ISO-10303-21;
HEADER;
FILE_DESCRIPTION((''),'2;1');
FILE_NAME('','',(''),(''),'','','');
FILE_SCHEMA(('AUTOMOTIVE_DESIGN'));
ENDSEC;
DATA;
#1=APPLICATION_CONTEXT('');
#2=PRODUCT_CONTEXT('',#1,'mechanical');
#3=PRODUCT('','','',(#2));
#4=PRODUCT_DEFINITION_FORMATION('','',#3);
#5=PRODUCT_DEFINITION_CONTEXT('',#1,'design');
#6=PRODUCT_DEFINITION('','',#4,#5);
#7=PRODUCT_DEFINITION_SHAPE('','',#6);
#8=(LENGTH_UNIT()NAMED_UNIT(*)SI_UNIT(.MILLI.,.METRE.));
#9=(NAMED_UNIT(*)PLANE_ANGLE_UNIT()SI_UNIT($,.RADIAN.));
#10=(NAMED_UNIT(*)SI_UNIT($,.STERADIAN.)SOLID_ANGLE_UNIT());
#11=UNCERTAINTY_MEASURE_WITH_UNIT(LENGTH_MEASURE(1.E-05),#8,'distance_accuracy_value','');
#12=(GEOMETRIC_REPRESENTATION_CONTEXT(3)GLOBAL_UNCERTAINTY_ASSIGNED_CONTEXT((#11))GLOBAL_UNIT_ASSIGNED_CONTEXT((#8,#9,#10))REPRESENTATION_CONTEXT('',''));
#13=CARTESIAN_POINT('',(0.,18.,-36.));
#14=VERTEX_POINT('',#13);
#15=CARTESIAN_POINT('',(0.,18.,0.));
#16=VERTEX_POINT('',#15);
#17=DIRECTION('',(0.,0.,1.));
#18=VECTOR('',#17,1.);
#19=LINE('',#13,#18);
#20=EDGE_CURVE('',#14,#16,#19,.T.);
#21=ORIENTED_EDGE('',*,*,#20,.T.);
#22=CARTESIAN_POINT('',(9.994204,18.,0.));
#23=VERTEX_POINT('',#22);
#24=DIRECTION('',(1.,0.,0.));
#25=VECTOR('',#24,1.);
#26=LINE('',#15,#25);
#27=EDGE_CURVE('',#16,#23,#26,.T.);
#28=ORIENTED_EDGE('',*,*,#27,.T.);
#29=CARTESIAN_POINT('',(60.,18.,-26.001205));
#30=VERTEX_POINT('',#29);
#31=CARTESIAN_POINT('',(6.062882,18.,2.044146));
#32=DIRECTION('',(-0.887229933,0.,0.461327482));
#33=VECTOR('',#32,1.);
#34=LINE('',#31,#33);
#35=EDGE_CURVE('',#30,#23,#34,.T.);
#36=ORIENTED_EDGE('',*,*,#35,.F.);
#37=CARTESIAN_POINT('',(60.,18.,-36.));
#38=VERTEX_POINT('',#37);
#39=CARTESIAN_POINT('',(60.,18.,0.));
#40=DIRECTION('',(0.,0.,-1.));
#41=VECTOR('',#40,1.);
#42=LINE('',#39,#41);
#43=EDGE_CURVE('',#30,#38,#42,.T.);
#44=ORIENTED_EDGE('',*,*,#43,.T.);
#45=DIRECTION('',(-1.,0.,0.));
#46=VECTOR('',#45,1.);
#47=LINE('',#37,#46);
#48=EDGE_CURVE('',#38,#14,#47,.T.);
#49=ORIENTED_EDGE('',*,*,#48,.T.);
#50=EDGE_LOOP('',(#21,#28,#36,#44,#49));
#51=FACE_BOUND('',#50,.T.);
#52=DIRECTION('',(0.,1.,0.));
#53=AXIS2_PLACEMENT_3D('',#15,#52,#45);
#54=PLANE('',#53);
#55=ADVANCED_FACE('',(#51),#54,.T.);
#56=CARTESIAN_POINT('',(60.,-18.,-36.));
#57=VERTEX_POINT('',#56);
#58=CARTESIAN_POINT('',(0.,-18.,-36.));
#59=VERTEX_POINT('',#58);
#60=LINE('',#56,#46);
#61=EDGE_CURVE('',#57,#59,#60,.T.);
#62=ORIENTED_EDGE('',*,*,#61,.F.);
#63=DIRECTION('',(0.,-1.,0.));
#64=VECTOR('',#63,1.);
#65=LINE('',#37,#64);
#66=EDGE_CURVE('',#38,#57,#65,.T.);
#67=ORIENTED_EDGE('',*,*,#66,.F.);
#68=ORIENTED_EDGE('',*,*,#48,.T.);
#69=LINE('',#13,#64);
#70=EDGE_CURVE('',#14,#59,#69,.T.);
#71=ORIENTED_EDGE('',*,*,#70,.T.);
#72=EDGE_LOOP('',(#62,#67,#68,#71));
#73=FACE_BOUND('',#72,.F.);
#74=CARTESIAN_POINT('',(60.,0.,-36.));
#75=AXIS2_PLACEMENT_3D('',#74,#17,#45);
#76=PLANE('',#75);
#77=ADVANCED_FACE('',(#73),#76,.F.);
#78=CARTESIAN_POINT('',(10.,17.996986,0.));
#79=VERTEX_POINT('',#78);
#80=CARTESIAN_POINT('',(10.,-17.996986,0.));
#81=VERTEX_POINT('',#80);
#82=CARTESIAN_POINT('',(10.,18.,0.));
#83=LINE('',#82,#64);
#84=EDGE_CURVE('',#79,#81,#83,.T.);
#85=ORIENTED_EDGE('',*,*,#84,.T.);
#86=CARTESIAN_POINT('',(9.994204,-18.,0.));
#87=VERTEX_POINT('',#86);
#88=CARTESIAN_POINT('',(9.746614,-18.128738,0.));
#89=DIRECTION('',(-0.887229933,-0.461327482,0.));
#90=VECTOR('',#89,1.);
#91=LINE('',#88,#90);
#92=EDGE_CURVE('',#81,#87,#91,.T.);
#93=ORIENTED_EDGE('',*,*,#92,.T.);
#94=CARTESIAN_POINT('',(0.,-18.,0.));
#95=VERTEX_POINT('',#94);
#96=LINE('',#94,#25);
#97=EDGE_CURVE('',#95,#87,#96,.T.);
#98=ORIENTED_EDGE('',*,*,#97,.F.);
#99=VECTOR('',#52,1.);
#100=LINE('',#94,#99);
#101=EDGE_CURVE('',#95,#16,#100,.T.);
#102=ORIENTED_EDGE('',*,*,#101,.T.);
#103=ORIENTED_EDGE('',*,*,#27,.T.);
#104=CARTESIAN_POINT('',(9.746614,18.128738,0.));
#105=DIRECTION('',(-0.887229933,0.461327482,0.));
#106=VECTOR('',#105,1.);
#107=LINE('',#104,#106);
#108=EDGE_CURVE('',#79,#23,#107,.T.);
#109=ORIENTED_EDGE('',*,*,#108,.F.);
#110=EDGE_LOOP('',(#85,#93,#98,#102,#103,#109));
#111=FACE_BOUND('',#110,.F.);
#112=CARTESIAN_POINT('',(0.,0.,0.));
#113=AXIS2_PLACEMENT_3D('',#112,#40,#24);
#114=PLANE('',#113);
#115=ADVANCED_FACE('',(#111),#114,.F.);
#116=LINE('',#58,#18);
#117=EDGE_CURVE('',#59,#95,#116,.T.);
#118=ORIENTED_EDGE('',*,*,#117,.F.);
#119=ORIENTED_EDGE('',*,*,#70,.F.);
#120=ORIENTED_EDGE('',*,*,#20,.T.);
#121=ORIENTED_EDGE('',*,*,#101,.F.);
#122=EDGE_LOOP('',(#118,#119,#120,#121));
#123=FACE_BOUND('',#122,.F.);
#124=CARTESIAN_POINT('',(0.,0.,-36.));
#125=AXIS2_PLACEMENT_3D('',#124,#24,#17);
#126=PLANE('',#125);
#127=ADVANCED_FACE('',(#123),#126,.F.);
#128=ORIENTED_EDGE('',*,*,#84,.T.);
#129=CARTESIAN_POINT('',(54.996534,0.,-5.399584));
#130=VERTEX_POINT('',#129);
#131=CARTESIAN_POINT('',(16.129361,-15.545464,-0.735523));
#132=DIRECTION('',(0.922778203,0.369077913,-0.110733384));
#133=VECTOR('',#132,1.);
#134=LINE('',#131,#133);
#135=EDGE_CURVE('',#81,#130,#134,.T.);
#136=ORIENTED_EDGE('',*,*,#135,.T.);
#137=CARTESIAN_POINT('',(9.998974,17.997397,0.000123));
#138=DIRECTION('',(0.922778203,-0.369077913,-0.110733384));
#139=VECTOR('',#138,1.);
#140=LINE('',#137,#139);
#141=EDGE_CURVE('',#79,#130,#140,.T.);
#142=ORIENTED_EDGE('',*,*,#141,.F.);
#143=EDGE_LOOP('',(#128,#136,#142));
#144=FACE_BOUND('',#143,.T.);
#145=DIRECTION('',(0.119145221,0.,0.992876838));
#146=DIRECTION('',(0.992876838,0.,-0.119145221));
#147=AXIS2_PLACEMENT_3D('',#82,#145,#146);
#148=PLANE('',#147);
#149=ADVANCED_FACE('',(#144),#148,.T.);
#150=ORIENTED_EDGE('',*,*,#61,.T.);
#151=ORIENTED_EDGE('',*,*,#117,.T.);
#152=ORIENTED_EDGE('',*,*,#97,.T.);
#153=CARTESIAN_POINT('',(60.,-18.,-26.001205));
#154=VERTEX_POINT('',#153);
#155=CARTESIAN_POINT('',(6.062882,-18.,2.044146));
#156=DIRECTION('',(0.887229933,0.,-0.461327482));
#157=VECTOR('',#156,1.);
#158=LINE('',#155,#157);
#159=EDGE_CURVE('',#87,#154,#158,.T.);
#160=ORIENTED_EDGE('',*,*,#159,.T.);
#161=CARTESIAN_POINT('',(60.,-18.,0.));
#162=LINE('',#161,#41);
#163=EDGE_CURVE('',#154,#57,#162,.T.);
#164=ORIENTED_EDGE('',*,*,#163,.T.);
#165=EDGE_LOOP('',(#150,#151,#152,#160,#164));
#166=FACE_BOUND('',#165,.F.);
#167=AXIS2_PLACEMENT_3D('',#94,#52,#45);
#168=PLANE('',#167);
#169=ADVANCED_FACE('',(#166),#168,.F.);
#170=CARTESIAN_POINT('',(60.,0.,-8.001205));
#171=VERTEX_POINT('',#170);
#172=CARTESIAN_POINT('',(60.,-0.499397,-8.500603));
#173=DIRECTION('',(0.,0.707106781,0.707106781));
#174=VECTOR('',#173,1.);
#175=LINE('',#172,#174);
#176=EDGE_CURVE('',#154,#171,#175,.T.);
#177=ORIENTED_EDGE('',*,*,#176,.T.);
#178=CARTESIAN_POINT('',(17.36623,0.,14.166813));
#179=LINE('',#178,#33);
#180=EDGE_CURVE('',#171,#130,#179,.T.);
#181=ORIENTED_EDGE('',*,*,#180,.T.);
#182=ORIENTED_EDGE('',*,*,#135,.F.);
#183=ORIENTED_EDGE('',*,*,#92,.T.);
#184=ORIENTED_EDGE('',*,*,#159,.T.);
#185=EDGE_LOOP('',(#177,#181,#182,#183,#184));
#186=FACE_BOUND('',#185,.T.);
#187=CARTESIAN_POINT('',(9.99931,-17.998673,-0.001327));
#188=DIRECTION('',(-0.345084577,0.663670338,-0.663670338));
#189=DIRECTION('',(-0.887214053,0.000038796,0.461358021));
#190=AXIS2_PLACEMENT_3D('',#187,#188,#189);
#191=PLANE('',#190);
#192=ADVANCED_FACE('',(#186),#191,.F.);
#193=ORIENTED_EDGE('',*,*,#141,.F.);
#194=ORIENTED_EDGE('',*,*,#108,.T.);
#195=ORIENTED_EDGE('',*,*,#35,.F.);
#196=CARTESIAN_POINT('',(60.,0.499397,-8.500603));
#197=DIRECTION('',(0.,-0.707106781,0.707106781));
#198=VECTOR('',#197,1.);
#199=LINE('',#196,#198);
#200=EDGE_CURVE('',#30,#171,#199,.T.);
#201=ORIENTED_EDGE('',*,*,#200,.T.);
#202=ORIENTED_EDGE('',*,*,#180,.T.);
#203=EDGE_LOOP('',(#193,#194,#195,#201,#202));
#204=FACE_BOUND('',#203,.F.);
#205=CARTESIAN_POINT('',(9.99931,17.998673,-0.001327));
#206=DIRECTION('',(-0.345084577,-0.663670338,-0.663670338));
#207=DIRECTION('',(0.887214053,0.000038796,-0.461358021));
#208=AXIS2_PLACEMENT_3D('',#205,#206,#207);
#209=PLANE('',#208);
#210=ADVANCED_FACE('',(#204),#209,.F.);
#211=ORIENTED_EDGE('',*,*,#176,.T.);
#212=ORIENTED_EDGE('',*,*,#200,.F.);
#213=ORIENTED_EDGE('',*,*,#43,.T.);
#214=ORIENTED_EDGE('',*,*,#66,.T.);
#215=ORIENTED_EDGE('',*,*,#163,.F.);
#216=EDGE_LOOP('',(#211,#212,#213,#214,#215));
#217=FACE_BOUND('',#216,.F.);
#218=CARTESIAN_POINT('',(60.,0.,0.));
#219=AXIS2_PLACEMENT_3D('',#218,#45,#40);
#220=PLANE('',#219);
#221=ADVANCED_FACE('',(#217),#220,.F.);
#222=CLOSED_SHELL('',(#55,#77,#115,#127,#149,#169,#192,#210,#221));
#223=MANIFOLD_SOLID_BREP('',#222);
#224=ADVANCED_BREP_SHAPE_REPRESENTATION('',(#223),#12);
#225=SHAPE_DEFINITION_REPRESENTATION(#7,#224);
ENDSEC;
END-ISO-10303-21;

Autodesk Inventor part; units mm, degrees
ref_plane "YZ Plane" through (0, 0, 0) normal (1, 0, 0) x (0, 1, 0)
ref_plane "XZ Plane" through (0, 0, 0) normal (0, 1, 0) x (-1, 0, 0)
sketch "草圖1" plane through (0, 0, 0) normal (0, 1, 0) x (-1, 0, 0)
  line L0 (0, 0) -> (-60, 0)
  line L1 (-60, 0) -> (-60, -36)
  line L2 (-60, -36) -> (0, -36)
  line L3 (0, -36) -> (0, 0)
  dimension "d0" = 60
  dimension "d1" = 36
extrude "擠出1" add sketch "草圖1" along normal mid plane 36
sketch "草圖2" plane through (0, 18, 0) normal (0, 1, 0) x (1, 0, 0)
  line L0 (0, 0) -> (60, 0) projected
  line L1 (10, 0) -> (60, 6)
  line L2 (60, 0) -> (60, 36) projected
  dimension "d4" = 10
  dimension "d5" = 30
extrude "擠出2" cut sketch "草圖2" against normal blind 40
sketch "草圖3" plane through (60, -18, -36) normal (1, 0, 0) x (0, 0, -1)
  line L0 (-30, 16) -> (-10, 36)
  line L1 (0, 36) -> (-36, 36) projected
  line L2 (-30, 36) -> (-30, 0) projected
  point P0 (-36, 18)
  dimension "d8" = 20
  dimension "d9" = 20
ref_plane "工作平面1" through (10, 18, 0) normal (-0.3451, -0.6637, -0.6637) x (0.8872, 0, -0.4614)
sketch "草圖4" plane through (10, 18, 0) normal (-0.3451, -0.6637, -0.6637) x (0.8872, 0, -0.4614)
  line L0 (-15.1543, -12.3218) -> (93.717, -12.3218)
  line L1 (93.717, -12.3218) -> (93.717, 28.8166)
  line L2 (93.717, 28.8166) -> (-15.1543, 28.8166)
  line L3 (-15.1543, 28.8166) -> (-15.1543, -12.3218)
  point P0 (-8.8722, 10.4027)
extrude "擠出3" cut sketch "草圖4" against normal blind 40
mirror "鏡射1" about plane through (0, 0, 0) normal (0, 1, 0) of "擠出3"
properties part number "3"
